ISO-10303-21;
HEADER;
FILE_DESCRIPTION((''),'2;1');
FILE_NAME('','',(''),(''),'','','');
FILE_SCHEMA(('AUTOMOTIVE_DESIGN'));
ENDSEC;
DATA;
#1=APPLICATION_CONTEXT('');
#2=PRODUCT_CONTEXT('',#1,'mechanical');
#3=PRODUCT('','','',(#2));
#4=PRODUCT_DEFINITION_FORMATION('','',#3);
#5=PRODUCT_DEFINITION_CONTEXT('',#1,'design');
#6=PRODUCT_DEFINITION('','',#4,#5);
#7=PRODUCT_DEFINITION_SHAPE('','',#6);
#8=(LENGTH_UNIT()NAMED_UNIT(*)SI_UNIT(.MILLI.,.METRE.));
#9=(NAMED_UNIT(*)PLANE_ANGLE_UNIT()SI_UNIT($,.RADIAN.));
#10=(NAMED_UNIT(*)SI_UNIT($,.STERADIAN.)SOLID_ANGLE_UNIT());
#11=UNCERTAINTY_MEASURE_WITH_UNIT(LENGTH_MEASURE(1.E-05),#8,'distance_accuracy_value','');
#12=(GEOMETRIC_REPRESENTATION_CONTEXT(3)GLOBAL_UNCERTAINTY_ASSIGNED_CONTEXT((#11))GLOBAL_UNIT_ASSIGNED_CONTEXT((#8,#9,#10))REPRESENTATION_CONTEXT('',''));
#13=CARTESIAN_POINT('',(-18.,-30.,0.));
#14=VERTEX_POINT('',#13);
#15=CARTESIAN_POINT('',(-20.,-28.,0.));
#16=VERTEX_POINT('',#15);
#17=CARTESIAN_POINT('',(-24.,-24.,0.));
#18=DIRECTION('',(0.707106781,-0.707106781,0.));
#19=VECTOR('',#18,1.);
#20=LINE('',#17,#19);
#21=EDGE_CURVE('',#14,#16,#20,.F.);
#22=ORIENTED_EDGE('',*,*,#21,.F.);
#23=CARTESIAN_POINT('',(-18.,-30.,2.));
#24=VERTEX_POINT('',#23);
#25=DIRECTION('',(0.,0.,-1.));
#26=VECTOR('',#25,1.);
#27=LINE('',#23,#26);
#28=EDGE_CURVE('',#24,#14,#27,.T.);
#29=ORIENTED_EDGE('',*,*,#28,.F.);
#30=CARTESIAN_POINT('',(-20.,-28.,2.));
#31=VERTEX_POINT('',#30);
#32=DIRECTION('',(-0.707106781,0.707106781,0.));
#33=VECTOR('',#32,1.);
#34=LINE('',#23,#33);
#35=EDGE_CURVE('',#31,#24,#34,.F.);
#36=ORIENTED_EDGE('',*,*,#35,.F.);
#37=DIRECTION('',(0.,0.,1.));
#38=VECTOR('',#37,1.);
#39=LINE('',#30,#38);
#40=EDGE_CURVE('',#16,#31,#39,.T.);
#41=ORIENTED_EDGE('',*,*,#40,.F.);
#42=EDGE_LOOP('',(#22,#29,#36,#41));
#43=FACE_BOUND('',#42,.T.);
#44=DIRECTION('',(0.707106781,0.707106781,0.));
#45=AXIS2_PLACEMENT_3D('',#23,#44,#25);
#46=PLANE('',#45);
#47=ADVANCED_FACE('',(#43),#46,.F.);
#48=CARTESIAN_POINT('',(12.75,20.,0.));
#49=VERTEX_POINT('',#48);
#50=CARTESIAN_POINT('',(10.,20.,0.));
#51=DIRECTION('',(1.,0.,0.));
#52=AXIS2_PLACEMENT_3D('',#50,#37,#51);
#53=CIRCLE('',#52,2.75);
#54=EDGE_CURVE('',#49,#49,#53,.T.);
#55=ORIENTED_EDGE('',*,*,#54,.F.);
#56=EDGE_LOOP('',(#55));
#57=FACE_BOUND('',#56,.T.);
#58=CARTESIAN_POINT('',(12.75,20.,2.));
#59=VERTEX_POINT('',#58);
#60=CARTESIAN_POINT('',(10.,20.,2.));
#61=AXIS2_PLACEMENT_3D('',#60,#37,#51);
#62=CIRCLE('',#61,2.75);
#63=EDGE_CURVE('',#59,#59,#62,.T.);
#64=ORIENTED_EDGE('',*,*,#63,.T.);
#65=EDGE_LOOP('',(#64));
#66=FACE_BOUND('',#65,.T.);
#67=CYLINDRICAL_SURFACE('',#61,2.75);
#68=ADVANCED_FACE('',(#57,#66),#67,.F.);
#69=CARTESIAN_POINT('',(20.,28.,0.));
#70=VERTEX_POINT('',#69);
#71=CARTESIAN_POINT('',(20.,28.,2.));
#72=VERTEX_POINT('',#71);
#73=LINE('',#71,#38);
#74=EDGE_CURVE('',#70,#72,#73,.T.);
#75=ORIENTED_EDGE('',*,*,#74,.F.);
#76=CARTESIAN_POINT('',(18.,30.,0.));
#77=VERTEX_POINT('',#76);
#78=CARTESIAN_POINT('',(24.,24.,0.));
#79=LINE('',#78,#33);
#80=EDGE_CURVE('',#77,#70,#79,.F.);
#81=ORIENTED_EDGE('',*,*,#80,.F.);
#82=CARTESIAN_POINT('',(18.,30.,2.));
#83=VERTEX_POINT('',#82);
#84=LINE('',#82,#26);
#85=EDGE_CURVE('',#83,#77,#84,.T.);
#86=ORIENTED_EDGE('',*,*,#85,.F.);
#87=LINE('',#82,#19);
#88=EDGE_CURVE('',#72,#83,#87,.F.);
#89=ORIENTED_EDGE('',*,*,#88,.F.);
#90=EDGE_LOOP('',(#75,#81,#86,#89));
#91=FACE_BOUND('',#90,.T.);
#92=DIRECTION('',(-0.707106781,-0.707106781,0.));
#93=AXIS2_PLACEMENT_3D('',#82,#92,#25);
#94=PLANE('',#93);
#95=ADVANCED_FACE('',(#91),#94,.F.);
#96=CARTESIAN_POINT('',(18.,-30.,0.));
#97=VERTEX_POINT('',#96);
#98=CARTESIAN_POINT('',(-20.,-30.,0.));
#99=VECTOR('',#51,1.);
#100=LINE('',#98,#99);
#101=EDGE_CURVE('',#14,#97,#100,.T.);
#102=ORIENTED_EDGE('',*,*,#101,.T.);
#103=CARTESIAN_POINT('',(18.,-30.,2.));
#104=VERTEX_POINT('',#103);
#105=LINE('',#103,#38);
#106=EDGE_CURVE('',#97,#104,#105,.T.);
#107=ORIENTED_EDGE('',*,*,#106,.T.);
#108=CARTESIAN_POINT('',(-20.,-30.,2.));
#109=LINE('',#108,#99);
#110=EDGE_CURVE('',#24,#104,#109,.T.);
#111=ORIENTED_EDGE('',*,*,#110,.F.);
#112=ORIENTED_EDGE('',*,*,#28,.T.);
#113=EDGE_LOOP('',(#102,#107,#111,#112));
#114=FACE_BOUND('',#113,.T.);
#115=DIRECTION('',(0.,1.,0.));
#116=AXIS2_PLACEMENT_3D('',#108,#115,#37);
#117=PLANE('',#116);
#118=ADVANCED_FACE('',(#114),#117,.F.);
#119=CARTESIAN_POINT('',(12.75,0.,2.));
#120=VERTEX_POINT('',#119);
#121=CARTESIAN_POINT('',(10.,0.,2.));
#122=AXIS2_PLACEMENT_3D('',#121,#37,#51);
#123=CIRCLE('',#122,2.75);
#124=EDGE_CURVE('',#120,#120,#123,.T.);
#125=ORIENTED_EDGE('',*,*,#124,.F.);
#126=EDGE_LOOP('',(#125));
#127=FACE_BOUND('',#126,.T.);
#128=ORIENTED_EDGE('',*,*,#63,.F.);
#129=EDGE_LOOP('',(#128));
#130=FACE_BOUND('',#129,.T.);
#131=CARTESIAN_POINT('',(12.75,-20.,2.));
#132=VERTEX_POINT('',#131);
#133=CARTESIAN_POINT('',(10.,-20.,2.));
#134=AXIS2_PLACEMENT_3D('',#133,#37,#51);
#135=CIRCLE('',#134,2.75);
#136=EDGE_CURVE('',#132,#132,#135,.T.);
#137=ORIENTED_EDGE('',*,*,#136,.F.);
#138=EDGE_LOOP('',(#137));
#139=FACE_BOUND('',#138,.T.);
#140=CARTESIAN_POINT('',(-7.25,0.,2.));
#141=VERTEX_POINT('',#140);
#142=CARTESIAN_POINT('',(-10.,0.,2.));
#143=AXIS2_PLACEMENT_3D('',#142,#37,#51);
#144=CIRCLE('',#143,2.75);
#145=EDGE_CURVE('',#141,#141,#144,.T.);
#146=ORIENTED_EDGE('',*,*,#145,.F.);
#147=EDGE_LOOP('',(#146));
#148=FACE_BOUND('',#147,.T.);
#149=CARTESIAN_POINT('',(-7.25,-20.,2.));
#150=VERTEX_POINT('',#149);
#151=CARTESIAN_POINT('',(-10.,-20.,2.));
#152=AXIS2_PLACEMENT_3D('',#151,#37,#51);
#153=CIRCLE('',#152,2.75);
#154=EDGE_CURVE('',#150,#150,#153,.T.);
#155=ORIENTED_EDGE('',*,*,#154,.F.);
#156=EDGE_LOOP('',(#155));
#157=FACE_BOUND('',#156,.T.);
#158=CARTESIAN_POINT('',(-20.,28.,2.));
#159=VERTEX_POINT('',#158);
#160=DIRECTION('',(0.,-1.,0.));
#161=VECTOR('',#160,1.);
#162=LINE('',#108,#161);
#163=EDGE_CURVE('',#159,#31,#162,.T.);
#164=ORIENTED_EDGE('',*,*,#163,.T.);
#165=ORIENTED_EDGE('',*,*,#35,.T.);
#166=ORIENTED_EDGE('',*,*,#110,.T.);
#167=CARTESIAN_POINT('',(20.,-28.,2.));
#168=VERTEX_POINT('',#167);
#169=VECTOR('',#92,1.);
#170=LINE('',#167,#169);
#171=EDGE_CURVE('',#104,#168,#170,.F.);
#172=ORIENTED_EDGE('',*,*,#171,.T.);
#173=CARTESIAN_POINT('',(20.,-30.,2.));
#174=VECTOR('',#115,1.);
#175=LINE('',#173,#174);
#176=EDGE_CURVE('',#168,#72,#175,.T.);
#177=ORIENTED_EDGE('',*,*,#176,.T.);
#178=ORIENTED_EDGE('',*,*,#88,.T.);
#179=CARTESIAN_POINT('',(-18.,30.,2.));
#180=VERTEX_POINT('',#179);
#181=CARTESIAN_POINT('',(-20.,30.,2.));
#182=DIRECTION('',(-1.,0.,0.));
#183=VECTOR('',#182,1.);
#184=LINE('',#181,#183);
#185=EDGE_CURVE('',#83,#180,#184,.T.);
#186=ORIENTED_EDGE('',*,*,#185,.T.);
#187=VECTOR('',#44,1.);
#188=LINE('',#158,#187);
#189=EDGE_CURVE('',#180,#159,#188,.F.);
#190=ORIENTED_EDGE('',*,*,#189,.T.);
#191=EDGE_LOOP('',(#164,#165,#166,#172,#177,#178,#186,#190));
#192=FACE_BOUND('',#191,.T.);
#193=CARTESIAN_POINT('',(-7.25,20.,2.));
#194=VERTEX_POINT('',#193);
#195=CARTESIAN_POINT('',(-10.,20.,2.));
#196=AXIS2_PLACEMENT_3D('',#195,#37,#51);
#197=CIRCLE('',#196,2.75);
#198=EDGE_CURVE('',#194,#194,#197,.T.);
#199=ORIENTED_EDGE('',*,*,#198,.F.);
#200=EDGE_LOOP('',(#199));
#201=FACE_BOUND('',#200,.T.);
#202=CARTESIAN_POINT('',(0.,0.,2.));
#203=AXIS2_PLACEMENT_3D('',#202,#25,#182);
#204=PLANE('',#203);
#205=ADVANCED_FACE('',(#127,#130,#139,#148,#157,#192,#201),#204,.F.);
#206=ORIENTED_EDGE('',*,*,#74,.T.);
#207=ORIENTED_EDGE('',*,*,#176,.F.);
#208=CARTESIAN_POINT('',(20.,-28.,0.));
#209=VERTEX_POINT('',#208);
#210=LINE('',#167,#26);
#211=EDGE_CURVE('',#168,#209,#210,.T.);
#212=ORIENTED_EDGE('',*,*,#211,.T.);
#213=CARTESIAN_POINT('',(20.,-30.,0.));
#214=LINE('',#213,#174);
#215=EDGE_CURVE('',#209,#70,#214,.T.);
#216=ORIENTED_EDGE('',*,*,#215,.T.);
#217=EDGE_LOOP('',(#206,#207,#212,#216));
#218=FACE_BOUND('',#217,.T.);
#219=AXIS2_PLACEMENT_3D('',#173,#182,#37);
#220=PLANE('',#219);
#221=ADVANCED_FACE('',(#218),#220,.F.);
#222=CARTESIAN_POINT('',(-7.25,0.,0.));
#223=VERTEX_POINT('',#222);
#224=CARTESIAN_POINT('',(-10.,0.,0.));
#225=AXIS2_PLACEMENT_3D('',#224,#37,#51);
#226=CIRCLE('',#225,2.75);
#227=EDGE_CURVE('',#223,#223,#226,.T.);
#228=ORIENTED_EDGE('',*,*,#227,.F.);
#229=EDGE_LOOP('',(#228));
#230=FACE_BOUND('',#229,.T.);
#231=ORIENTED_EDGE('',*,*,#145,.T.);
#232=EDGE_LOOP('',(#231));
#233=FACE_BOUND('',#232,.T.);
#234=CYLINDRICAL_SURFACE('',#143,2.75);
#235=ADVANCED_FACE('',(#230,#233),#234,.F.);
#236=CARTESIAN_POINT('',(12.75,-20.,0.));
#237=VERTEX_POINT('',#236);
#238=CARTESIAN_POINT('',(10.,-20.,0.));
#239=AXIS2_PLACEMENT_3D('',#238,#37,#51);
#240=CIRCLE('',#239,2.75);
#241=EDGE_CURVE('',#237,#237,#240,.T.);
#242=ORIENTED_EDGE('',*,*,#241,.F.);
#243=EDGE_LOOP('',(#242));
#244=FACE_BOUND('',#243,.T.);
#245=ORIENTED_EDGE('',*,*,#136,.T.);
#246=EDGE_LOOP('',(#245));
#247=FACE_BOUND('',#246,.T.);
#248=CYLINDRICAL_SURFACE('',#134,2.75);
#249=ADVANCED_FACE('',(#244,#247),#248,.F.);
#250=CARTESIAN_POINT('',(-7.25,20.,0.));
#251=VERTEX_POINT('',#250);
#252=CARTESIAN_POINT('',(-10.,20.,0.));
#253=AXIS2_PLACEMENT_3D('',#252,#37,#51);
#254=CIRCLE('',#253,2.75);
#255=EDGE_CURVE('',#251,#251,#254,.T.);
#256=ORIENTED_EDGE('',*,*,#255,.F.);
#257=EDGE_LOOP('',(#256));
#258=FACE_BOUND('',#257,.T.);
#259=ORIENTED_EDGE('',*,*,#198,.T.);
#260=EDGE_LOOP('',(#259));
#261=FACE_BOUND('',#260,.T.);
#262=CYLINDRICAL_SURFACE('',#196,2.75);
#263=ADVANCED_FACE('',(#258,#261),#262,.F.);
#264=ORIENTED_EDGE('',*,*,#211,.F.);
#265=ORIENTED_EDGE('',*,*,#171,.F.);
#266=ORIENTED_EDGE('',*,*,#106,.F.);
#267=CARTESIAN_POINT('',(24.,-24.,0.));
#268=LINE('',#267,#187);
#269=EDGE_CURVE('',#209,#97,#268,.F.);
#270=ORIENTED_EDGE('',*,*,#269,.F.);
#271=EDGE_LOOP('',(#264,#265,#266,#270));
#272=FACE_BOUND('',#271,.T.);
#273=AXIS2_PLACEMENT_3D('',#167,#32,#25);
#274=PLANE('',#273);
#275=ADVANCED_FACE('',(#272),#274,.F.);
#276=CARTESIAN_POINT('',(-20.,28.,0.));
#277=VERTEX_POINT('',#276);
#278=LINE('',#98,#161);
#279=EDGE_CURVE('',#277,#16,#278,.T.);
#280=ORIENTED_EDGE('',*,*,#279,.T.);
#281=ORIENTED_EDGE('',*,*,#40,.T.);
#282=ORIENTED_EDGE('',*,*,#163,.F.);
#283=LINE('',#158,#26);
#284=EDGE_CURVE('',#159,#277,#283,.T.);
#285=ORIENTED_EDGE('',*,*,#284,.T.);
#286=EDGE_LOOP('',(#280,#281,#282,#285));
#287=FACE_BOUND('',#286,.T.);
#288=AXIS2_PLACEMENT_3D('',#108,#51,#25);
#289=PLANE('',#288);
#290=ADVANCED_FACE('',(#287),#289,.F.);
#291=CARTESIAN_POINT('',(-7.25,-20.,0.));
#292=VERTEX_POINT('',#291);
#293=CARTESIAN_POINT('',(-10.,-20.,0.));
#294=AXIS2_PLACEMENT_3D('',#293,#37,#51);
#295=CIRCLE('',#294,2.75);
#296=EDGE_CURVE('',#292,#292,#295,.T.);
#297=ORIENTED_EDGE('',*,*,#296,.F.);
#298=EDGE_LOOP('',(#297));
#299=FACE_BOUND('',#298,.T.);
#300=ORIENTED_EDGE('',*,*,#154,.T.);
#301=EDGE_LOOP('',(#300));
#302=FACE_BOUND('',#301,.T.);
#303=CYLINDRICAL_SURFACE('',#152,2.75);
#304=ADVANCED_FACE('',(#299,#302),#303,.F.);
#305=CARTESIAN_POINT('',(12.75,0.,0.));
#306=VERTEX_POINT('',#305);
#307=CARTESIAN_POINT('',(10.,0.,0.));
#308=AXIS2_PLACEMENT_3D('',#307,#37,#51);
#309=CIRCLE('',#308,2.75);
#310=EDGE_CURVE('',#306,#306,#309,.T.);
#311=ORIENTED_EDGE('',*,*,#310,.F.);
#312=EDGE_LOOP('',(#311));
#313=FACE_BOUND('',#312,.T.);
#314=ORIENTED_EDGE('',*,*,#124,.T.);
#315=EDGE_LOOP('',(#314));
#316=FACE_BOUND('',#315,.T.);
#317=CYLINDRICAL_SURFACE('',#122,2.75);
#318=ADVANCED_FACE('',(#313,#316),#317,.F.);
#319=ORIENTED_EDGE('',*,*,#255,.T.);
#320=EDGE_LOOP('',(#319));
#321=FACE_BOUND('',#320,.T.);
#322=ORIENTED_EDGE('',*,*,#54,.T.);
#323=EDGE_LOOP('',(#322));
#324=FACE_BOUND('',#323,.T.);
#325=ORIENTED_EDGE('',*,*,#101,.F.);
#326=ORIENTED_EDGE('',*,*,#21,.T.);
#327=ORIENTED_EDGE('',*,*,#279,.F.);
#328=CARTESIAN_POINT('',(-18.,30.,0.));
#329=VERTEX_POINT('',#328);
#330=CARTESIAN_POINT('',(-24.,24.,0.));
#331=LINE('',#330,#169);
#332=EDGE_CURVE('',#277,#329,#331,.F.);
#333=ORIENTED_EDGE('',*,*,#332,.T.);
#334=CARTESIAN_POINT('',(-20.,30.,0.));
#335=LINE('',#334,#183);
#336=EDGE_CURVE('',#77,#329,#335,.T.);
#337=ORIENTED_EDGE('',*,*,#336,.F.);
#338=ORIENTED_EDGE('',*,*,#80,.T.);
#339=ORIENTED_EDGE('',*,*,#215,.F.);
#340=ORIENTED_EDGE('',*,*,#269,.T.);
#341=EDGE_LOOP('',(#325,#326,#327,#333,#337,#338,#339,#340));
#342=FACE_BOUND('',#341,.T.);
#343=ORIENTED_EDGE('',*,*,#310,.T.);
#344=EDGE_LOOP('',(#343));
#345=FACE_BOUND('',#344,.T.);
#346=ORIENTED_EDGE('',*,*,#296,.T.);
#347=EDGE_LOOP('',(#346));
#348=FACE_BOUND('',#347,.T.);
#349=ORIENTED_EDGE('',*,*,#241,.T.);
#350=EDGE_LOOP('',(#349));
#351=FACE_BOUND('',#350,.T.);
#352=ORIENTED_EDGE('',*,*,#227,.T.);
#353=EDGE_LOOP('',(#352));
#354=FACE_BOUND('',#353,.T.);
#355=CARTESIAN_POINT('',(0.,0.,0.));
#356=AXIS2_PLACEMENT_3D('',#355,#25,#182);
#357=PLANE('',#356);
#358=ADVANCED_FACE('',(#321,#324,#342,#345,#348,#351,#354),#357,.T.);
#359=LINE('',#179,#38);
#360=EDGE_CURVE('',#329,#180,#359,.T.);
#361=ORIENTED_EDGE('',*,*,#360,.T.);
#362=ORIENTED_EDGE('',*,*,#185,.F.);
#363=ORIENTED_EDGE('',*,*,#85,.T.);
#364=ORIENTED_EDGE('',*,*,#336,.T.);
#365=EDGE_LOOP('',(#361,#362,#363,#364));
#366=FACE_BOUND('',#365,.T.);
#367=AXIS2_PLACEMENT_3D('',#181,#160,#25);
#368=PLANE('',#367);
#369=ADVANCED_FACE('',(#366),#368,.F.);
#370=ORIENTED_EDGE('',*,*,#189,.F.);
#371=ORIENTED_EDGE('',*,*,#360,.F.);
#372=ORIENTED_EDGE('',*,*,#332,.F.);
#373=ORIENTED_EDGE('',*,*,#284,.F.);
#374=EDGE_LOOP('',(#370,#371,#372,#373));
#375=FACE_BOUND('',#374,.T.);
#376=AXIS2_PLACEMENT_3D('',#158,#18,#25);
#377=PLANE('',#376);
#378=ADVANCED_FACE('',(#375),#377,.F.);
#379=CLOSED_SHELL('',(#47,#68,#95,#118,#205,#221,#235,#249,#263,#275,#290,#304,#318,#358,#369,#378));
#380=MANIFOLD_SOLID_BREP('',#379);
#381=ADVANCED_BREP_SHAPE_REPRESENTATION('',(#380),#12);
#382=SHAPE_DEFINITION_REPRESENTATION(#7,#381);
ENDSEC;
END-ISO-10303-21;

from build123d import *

# Parameters (mm, degrees)
SKETCH_1_W        = 40
SKETCH_1_H        = 60
EXTRUDE_1_DEPTH   = 2
CHAMFER_1_SIZE    = 2
HOLE_WIZARD_M51_D = 5.5


with BuildPart() as part:
    # Эскиз1 → Бобышка-Вытянуть1 (new body)
    with BuildSketch(Plane.XY):
        Rectangle(SKETCH_1_W, SKETCH_1_H)
    extrude(amount=EXTRUDE_1_DEPTH)

    # Фаска1
    chamfer_1_edges = [part.edges().sort_by_distance(p)[0] for p in [
        (20, -30, 1),
        (-20, -30, 1),
        (-20, 30, 1),
        (20, 30, 1),
    ]]
    chamfer(chamfer_1_edges, length=CHAMFER_1_SIZE)

    # Отверстие с зазором M51 (through all)
    with Locations(Plane.XY.offset(2)):
        with Locations((-10, 20), (10, 20), (10, 0), (-10, 0), (-10, -20), (10, -20)):
            Hole(HOLE_WIZARD_M51_D / 2)


solid = part.part
